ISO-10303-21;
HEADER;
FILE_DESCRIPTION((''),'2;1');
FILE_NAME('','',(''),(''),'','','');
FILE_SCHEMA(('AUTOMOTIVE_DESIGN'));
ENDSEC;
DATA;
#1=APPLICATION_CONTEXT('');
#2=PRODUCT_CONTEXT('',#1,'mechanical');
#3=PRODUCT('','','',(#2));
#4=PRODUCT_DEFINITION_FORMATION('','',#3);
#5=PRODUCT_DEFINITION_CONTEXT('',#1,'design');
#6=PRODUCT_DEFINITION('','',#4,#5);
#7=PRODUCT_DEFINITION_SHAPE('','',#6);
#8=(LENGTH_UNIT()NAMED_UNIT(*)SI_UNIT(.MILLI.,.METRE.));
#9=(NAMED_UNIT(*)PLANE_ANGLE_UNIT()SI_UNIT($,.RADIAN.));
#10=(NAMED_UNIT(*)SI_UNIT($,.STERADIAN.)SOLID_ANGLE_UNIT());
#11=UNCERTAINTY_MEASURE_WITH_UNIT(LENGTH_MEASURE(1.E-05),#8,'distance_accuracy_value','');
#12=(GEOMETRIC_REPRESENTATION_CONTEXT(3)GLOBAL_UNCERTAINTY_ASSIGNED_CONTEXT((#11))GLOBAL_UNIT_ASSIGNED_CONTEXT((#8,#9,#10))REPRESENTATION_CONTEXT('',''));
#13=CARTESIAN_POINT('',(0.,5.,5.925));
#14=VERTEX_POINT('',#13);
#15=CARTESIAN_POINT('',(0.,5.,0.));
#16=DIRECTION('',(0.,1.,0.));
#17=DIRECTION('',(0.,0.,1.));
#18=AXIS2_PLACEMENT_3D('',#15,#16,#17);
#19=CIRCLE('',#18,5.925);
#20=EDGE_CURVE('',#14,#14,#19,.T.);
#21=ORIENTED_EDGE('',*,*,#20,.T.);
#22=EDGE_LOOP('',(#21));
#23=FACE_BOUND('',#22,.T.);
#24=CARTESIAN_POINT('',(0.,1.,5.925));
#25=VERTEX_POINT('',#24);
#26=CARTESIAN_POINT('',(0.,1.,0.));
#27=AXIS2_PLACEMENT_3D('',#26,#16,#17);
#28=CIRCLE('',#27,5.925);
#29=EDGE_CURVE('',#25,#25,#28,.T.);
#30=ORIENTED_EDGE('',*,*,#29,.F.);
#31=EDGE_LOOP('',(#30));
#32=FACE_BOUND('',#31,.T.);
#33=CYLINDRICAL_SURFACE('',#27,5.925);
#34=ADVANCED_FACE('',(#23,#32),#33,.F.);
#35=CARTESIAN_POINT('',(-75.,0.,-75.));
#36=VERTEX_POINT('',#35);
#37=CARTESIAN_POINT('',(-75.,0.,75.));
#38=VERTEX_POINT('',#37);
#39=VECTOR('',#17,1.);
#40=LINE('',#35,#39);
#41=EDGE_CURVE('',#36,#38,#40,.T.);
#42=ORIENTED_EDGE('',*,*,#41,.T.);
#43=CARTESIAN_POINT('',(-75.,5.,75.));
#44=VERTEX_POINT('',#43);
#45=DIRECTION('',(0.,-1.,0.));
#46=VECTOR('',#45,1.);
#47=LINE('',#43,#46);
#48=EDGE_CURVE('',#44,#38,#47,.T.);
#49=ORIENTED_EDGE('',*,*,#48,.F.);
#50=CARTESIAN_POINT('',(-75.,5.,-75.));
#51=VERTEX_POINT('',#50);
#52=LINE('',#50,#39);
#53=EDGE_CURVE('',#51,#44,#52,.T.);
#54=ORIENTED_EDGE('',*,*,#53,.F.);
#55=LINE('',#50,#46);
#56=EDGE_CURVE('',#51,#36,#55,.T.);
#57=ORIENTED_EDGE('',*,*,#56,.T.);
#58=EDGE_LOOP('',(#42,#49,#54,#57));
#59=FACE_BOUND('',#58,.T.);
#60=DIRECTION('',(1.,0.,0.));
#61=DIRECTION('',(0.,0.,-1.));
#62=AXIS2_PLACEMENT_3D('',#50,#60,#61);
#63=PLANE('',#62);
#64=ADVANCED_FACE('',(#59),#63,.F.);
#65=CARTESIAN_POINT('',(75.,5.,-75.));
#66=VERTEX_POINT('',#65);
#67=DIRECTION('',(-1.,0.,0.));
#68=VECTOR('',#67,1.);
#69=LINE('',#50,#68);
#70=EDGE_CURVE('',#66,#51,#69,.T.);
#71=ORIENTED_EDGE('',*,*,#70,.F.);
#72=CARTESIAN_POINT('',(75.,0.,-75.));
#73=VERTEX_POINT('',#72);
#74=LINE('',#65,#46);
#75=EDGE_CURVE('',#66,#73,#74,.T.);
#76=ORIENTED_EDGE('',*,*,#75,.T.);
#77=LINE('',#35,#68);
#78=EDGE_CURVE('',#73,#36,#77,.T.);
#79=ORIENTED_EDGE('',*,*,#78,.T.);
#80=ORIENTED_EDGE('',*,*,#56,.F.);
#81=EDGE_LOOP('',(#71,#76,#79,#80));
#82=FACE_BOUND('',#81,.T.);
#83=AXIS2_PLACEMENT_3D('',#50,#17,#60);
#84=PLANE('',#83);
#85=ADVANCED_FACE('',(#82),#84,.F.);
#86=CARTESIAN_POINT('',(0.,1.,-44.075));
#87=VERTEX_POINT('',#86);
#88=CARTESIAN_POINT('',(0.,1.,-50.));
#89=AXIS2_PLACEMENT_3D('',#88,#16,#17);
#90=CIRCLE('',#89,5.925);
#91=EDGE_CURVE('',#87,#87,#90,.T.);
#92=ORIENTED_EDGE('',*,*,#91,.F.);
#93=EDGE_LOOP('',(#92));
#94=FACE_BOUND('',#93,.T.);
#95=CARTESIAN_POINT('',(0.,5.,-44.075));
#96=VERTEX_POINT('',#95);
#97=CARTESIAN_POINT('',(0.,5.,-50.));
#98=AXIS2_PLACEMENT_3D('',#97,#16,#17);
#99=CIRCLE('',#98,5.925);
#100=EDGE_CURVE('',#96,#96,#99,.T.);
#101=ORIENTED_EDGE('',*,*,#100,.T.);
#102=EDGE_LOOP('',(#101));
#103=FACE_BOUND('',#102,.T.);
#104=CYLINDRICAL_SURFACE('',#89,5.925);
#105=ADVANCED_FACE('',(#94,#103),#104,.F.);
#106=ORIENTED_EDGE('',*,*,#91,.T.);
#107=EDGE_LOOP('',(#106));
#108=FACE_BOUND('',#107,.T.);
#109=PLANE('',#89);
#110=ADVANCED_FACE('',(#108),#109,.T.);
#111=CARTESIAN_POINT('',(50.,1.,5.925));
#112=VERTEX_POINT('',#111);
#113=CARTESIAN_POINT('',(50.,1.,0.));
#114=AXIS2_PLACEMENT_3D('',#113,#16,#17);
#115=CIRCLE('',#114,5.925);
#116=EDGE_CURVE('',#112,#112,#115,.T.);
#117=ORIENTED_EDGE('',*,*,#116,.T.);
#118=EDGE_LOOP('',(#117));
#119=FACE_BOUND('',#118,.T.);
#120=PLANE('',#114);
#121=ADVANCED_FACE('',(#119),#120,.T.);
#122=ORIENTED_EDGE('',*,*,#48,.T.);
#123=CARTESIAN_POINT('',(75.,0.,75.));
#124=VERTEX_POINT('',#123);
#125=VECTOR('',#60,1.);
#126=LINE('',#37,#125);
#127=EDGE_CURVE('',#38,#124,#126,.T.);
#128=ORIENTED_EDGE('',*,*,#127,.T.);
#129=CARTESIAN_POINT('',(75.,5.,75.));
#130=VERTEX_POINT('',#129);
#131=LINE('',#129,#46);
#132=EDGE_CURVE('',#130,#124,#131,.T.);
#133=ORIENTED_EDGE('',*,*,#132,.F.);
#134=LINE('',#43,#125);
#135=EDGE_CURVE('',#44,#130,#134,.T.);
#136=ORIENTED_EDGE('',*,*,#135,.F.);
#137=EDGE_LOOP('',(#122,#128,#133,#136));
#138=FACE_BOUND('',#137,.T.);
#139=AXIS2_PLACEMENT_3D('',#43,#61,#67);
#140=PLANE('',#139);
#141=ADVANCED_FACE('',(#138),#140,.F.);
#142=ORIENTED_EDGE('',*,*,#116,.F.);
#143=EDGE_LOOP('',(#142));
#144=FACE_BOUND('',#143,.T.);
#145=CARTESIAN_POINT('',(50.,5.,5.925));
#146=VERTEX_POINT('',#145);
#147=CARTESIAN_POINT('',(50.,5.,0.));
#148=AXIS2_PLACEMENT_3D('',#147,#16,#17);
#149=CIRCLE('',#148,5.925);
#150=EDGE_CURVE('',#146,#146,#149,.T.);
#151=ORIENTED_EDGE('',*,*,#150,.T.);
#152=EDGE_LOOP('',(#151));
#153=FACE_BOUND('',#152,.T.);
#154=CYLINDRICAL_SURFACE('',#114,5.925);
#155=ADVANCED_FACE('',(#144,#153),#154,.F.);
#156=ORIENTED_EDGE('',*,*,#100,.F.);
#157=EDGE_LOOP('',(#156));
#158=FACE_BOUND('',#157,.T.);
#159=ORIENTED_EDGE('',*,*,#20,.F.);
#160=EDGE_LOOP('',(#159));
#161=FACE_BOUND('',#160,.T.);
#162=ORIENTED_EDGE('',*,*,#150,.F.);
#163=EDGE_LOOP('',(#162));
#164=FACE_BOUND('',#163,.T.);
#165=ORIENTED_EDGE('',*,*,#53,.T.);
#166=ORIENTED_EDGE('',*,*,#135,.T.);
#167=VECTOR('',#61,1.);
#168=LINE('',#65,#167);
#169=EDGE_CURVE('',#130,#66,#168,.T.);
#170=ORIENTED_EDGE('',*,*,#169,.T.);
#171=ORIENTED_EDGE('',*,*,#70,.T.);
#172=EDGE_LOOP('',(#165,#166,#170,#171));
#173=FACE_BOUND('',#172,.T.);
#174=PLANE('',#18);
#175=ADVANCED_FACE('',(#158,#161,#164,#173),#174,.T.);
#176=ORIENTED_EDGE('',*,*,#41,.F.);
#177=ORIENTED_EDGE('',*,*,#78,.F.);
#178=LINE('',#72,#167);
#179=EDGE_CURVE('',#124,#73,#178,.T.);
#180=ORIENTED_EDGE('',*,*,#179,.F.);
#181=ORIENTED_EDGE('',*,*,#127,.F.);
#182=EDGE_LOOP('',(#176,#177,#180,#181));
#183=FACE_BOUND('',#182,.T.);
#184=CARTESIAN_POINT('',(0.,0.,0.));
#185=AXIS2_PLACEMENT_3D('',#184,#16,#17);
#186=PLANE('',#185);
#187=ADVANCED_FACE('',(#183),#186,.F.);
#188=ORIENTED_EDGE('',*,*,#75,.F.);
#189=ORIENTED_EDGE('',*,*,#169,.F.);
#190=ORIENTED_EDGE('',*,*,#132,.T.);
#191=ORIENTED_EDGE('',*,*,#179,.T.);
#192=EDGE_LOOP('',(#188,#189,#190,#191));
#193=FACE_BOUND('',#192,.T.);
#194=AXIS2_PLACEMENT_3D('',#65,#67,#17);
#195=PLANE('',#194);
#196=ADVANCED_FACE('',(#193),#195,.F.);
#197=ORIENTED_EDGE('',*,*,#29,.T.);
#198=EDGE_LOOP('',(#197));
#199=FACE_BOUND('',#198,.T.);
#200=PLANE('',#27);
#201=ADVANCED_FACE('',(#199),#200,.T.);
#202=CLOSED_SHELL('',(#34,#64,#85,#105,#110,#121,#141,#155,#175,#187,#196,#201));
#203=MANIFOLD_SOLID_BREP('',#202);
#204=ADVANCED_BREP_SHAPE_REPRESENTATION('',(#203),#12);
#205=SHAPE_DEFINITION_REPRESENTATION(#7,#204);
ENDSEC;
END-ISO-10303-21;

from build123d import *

# Parameters (mm, degrees)
SKETCH2_W           = 150
SKETCH2_H           = 150
BOSS_EXTRUDE1_DEPTH = 5
SKETCH5_R           = 5.925
CUT_EXTRUDE2_DEPTH  = 4


with BuildPart() as part:
    # Sketch2 → Boss-Extrude1 (new body)
    with BuildSketch(Plane(origin=(0, 0, 0), x_dir=(1, 0, 0), z_dir=(0, 1, 0))):
        Rectangle(SKETCH2_W, SKETCH2_H)
    extrude(amount=BOSS_EXTRUDE1_DEPTH)

    # Sketch5 → Cut-Extrude2 (cut)
    with BuildSketch(Plane(origin=(0, 5, 0), x_dir=(1, 0, 0), z_dir=(0, 1, 0))):
        Circle(SKETCH5_R)
        with Locations((50, 0)):
            Circle(SKETCH5_R)
        with Locations((0, 50)):
            Circle(SKETCH5_R)
    extrude(amount=-CUT_EXTRUDE2_DEPTH, mode=Mode.SUBTRACT)


solid = part.part
